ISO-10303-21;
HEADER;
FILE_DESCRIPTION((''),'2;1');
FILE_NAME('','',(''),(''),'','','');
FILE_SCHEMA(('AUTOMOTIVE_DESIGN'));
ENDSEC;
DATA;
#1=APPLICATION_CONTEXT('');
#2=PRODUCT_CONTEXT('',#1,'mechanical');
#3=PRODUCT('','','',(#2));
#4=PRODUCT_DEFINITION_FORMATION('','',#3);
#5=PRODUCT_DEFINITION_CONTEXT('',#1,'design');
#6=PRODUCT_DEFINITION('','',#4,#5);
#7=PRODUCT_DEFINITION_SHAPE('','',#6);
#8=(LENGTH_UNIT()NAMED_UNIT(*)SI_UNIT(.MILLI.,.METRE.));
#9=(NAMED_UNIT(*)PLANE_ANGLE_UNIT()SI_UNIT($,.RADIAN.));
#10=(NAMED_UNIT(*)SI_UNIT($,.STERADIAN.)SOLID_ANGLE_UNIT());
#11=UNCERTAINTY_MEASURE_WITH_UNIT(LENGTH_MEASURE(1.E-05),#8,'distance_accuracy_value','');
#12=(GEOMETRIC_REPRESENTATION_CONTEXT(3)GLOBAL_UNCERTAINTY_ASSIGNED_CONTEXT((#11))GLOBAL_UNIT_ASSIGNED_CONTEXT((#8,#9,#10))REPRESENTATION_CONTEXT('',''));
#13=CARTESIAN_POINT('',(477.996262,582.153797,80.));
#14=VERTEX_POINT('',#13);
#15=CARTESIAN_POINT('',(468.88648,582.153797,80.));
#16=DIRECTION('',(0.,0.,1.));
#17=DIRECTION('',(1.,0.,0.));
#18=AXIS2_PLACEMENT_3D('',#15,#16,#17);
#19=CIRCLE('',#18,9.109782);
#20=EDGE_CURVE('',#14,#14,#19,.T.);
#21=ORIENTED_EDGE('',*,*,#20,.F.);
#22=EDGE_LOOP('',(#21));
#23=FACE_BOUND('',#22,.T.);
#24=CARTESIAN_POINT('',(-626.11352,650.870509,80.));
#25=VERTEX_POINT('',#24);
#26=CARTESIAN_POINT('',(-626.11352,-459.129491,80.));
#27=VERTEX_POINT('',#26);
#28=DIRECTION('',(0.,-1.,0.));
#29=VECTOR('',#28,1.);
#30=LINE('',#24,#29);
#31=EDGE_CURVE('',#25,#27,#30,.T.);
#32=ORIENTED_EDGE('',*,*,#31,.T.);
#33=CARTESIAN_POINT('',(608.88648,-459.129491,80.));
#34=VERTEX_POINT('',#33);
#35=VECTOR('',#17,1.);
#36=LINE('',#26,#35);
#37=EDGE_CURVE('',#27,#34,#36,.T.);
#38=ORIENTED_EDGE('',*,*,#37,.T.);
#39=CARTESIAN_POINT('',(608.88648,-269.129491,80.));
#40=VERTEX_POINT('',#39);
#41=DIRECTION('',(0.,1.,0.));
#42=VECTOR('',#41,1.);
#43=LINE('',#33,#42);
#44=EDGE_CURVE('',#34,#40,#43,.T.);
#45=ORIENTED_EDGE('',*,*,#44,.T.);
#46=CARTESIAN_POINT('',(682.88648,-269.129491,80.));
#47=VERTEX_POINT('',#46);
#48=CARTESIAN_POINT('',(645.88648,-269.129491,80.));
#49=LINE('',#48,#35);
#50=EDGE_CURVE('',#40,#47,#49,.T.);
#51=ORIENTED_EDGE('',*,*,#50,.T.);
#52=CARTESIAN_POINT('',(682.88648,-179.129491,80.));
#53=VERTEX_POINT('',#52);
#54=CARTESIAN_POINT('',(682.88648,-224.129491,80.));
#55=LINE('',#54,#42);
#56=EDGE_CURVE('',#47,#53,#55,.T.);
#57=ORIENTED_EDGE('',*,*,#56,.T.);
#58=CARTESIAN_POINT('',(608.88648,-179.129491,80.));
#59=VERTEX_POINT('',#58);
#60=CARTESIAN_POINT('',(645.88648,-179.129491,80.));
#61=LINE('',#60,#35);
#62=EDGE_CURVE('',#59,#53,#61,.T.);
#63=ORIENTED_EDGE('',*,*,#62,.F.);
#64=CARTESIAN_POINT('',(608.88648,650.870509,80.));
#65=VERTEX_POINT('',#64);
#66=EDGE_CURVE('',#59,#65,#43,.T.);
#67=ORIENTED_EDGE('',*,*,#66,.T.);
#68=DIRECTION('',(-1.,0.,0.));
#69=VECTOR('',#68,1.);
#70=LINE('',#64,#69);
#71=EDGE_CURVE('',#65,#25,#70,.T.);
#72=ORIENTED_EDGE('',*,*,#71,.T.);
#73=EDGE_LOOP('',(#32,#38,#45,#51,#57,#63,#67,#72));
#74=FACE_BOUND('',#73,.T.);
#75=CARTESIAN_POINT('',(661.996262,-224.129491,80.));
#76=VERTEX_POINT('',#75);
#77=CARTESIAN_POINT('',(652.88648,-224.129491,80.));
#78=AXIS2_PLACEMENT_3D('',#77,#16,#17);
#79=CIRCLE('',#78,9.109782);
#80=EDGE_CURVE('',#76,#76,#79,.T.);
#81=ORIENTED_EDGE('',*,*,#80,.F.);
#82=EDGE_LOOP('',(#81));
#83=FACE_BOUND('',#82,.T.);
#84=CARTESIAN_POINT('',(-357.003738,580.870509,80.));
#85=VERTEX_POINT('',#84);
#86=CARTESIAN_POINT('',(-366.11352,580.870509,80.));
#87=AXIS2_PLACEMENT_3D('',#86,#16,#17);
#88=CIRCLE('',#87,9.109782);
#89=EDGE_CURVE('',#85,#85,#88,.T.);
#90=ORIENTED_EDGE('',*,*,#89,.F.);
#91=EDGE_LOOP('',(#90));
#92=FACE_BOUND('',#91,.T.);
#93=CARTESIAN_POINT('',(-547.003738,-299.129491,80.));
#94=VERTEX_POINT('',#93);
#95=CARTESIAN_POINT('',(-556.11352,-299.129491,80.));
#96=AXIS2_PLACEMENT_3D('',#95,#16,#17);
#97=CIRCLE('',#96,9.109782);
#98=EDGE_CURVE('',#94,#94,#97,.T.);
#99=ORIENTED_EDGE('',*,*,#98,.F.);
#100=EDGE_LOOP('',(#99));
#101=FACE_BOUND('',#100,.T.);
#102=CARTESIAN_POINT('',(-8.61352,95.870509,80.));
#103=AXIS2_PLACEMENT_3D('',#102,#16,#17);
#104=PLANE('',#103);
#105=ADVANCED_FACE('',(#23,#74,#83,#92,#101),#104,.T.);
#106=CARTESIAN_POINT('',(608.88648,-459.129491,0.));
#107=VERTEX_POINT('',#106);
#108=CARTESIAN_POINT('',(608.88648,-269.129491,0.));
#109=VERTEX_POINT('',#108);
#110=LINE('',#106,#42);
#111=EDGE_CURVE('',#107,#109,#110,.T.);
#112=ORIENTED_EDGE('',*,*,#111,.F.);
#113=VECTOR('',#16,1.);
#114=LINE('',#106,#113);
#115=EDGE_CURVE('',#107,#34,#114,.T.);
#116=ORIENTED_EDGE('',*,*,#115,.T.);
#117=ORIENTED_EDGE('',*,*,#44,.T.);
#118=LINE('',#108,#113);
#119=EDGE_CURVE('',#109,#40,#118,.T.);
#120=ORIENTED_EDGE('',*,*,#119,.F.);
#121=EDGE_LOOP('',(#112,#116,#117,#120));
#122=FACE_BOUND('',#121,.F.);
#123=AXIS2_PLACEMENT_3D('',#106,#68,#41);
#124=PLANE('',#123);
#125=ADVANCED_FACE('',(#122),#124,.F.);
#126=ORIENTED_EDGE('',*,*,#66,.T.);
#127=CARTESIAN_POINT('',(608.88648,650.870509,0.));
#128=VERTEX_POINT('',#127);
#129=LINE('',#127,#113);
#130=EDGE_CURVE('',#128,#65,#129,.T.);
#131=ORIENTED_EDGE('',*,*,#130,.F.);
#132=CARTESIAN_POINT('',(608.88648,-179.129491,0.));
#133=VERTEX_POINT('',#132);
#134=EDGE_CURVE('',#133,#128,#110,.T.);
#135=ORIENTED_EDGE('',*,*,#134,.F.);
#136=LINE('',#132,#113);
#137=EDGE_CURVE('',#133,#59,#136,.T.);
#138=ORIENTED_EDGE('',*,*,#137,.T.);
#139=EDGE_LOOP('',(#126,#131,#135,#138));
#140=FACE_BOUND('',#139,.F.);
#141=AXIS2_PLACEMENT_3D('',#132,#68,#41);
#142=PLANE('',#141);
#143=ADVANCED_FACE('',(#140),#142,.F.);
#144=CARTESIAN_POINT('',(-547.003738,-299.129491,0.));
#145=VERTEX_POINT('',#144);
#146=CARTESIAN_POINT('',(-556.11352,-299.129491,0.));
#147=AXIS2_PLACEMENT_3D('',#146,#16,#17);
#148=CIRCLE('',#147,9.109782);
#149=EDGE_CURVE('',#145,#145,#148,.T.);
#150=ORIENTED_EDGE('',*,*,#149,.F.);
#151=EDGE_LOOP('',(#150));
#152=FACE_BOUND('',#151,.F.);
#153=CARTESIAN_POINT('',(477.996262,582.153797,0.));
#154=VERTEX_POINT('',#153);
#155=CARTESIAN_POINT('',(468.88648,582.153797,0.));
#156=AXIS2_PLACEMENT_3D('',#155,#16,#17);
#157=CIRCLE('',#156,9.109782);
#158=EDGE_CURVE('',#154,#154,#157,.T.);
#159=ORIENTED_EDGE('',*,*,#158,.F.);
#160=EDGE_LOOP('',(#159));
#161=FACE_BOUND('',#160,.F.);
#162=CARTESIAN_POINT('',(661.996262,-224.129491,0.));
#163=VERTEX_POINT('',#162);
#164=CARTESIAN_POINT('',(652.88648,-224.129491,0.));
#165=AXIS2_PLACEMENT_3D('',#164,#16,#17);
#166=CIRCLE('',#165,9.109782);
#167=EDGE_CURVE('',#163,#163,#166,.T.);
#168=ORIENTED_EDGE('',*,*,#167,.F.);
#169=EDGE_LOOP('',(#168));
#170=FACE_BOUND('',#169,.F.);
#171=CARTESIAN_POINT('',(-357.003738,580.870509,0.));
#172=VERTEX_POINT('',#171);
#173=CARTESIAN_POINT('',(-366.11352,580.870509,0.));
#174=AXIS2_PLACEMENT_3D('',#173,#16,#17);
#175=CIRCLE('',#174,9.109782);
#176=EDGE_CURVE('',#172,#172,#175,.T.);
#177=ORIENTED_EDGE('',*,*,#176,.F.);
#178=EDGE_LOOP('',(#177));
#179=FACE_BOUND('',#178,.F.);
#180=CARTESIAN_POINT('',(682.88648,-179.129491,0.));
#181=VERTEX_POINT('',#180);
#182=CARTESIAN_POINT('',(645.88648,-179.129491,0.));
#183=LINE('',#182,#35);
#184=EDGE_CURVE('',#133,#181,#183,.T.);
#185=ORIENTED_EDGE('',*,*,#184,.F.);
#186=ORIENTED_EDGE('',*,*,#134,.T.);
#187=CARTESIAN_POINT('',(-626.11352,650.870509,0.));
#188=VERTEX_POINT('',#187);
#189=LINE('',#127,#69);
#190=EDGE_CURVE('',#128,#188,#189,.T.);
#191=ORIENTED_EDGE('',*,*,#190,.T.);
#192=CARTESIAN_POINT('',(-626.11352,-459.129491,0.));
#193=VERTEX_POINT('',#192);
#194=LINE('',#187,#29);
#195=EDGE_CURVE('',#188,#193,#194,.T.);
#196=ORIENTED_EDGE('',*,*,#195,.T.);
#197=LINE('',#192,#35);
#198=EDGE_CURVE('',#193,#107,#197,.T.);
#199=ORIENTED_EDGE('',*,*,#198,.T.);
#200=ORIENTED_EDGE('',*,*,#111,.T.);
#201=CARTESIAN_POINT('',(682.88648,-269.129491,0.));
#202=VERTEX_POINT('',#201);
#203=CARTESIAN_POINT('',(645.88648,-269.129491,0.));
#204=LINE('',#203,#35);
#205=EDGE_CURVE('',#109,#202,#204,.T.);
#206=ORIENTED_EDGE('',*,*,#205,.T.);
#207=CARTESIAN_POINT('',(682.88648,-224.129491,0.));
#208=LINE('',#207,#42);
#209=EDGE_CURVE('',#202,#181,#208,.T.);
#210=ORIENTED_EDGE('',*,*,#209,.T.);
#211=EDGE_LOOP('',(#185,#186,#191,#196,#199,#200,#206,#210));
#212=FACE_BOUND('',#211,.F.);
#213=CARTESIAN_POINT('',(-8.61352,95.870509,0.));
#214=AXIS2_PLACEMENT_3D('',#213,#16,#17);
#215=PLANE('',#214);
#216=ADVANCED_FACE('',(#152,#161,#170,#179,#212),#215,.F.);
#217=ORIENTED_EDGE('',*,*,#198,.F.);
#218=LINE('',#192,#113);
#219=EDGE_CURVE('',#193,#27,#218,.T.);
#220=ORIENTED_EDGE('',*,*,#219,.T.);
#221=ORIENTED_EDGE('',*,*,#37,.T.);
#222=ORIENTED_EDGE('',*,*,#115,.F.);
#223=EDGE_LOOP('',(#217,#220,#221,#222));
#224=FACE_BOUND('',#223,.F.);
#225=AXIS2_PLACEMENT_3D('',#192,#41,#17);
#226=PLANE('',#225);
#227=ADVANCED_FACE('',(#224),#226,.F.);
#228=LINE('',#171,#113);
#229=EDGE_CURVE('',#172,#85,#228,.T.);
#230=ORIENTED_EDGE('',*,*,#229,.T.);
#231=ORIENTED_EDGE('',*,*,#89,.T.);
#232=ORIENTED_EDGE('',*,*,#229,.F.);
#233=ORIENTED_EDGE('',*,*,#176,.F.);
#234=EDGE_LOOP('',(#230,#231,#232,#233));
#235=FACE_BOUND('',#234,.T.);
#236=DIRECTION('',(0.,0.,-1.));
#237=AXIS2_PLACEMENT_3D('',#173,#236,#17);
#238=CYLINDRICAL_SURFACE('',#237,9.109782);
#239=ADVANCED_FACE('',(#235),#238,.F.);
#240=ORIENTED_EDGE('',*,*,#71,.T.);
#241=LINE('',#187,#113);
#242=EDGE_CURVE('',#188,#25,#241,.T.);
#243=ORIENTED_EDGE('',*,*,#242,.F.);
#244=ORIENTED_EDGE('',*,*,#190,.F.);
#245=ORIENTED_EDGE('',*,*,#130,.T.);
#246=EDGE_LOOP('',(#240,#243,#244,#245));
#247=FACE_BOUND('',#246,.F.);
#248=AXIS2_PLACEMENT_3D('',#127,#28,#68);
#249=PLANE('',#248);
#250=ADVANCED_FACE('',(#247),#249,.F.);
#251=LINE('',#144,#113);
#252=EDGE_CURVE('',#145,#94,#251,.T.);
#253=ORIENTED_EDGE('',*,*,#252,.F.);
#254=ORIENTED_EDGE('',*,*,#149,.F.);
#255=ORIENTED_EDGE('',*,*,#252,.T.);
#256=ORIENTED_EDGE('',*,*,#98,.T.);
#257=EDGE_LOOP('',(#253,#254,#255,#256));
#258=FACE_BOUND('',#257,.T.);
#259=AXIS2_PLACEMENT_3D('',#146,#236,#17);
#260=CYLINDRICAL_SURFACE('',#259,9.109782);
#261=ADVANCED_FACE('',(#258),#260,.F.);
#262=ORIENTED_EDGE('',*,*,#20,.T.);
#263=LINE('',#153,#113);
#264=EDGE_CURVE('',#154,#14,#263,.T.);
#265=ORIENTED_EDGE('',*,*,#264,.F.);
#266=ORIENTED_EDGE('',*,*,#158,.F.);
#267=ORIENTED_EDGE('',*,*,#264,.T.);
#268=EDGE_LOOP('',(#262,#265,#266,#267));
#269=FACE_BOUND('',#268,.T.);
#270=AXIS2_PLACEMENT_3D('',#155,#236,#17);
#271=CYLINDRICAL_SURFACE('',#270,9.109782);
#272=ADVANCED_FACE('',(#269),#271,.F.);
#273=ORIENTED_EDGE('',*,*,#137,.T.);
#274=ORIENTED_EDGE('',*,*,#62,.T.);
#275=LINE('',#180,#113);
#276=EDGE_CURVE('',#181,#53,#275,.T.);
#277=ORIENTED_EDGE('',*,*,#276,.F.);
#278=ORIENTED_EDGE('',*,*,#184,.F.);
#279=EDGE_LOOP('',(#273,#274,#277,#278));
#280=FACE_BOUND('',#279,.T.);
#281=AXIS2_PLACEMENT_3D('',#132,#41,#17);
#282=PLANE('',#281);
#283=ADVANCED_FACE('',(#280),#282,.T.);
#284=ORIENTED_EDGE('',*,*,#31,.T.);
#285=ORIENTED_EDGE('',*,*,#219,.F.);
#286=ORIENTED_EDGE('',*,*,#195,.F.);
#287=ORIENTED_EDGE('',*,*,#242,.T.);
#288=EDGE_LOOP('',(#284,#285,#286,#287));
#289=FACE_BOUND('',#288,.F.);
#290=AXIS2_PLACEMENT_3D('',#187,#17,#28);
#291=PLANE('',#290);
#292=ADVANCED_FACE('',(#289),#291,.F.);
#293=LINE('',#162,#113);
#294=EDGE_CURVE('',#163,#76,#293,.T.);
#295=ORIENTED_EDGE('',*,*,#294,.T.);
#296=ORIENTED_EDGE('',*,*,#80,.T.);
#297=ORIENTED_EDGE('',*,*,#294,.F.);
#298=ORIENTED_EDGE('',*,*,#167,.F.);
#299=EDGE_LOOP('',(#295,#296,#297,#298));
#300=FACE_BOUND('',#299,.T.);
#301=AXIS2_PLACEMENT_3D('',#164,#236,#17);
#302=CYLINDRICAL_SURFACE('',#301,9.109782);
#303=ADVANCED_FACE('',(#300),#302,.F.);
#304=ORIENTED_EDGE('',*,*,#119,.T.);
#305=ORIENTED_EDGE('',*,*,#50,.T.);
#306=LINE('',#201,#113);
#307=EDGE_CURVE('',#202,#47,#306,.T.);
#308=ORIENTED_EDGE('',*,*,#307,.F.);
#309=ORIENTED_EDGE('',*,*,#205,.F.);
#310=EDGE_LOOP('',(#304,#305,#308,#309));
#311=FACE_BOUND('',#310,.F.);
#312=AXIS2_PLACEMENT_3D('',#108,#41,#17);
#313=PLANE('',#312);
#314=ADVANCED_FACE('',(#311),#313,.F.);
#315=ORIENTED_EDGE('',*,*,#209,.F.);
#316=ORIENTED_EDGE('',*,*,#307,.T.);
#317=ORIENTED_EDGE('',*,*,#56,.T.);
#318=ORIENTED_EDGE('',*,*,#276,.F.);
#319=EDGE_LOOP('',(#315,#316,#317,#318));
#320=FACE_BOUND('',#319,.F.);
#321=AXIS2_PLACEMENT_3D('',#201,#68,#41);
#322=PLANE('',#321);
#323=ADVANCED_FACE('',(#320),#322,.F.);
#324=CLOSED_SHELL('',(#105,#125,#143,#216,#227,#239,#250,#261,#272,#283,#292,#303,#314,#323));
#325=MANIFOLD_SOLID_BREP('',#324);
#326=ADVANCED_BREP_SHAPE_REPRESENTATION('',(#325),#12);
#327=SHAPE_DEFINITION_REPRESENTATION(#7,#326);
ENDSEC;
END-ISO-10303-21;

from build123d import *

# Parameters (mm, degrees)
F0_R     = 9.109782
F0_W     = 74
F0_H     = 90
F1_DEPTH = 80


with BuildPart() as f1:
    # F0 (on Top) → F1 (new body)
    with BuildSketch(Plane.XY):
        Polygon((608.88648, 650.870509), (-626.11352, 650.870509), (-626.11352, -459.129491), (608.88648, -459.129491), (608.88648, -269.129491), (608.88648, -179.129491), align=None)
        with Locations((-556.11352, -299.129491)):
            Circle(F0_R, mode=Mode.SUBTRACT)
        with Locations((-366.11352, 580.870509)):
            Circle(F0_R, mode=Mode.SUBTRACT)
        with Locations((468.88648, 582.153797)):
            Circle(F0_R, mode=Mode.SUBTRACT)
        with Locations((645.88648, -224.129491)):
            Rectangle(F0_W, F0_H)
        with Locations((652.88648, -224.129491)):
            Circle(F0_R, mode=Mode.SUBTRACT)
    extrude(amount=F1_DEPTH)


solid = f1.part
